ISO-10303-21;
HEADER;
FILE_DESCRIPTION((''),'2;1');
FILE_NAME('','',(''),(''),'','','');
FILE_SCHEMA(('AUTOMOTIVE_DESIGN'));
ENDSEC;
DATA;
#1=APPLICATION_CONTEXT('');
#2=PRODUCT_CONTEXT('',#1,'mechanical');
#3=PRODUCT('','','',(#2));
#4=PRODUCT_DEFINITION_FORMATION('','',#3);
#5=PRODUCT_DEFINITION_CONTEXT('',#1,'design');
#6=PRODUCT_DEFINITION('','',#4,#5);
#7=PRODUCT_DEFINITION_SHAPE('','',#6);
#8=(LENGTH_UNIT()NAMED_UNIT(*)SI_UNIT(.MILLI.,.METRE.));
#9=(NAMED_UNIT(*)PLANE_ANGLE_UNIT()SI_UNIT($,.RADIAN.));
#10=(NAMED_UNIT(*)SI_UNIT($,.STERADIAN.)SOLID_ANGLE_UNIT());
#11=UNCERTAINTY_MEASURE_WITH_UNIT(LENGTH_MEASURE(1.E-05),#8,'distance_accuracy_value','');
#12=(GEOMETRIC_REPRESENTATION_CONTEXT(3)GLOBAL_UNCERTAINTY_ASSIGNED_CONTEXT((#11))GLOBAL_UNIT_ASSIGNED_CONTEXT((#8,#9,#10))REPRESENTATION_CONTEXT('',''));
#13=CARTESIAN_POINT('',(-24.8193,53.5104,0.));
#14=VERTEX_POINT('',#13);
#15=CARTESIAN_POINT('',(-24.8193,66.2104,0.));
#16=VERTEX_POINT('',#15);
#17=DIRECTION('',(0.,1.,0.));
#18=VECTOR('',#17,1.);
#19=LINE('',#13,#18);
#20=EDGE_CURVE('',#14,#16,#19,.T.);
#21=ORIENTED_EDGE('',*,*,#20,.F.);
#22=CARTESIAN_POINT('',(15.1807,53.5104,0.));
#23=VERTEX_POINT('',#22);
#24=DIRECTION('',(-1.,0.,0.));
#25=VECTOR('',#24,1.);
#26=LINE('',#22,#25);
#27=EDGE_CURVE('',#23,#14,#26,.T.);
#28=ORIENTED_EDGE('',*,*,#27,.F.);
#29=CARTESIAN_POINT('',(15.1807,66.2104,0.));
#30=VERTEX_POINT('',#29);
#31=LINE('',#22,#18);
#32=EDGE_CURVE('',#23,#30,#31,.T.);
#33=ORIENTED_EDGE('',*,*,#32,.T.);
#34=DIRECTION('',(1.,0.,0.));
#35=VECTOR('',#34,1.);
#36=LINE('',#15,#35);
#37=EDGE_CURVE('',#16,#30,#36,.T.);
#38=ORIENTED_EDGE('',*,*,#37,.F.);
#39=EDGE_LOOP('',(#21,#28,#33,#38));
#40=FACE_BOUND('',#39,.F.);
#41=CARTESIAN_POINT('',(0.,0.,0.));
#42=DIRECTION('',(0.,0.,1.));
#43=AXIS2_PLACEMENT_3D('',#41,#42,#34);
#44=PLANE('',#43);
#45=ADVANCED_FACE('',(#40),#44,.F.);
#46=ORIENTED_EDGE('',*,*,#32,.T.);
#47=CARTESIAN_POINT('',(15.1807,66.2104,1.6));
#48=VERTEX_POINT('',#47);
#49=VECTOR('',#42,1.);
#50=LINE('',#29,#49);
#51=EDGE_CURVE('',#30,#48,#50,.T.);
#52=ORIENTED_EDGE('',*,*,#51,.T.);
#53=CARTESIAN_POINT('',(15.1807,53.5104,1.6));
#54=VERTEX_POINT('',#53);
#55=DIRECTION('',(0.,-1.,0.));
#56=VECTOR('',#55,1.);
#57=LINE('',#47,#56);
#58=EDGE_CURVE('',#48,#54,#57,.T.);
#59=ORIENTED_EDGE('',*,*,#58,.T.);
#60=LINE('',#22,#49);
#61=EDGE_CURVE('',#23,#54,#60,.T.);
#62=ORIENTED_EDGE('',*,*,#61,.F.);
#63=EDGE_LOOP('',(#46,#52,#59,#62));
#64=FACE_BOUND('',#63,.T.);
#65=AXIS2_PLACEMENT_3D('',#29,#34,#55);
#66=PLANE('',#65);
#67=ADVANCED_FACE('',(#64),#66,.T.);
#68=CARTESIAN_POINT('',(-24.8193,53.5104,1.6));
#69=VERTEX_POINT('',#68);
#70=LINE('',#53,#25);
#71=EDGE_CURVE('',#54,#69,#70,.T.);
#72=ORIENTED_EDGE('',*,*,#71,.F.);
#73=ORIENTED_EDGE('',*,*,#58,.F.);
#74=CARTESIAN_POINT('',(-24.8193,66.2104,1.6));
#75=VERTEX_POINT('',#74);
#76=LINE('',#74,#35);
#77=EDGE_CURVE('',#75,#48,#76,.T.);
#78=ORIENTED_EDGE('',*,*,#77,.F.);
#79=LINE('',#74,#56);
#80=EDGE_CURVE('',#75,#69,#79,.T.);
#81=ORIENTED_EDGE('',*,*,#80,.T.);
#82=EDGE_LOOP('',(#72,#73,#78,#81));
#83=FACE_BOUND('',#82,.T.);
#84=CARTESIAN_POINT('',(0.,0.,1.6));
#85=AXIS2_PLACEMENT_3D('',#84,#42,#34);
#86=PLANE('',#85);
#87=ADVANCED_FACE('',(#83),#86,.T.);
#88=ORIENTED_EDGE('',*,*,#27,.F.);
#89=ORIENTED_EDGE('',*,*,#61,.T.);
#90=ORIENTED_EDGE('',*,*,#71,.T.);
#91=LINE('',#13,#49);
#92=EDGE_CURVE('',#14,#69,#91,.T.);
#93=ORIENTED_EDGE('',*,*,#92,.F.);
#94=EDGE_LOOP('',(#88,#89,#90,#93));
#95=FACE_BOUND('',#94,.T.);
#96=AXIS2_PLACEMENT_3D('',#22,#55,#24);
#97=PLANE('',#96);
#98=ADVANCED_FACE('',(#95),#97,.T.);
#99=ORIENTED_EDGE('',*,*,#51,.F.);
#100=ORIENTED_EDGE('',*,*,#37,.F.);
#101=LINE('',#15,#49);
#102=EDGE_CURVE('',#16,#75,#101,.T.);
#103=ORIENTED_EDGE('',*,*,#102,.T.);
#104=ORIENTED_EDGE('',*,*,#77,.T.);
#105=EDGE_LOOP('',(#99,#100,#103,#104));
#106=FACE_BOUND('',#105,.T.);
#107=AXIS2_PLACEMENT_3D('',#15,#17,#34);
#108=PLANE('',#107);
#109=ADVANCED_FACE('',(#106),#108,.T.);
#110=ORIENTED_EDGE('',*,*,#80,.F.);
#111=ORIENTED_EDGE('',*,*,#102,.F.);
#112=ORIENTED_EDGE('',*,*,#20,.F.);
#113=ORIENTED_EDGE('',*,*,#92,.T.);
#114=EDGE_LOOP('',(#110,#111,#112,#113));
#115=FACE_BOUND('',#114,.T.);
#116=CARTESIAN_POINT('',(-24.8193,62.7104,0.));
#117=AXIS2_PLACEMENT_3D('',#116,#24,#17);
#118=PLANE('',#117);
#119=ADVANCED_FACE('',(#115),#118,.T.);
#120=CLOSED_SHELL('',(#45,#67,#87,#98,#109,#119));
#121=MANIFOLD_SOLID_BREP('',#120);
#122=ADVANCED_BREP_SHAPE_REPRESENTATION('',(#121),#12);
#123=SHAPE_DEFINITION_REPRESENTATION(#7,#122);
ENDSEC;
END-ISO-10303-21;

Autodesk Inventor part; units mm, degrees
ref_plane "YZ Plane" through (0, 0, 0) normal (1, 0, 0) x (0, 1, 0)
ref_plane "XZ Plane" through (0, 0, 0) normal (0, 1, 0) x (-1, 0, 0)
ref_plane "XY Plane" through (0, 0, 0) normal (0, 0, 1) x (1, 0, 0)
sketch "Sketch1" plane through (0, 0, 0) normal (0, 0, 1) x (1, 0, 0)
  arc A0 (-35.3193, 63.4215) -> (-33.3193, 61.4215) centre (-33.3193, 63.4215) ccw projected
  circle A1 centre (15.1807, 64.4604) radius 1.75 projected
  circle A2 centre (15.1807, 134.4604) radius 1.75 projected
  circle A3 centre (-24.8193, 64.4604) radius 1.75 projected
  circle A4 centre (-24.8193, 134.4604) radius 1.75 projected
  circle A5 centre (18.1807, 121.7104) radius 2.5 projected
  circle A6 centre (-27.8193, 77.2104) radius 2.5 projected
  circle A7 centre (-4.8193, 139.4604) radius 2.5 projected
  circle A8 centre (18.1807, 77.2104) radius 2.5 projected
  circle A9 centre (-4.8193, 59.4604) radius 2.5 projected
  circle A10 centre (-27.8193, 121.7104) radius 2.5 projected
  arc A11 (-35.3193, 63.4215) -> (-33.3193, 61.4215) centre (-33.3193, 63.4215) ccw projected
  line L0 (-32.8356, 61.4215) -> (-33.3193, 61.4215) projected
  arc A12 (-26.8356, 55.4215) -> (-32.8356, 61.4215) centre (-32.8356, 55.4215) ccw projected
  line L1 (-26.8356, 54.9604) -> (-26.8356, 55.4215)
  arc A13 (-26.8356, 54.9604) -> (-24.8356, 52.9604) centre (-24.8356, 54.9604) ccw projected
  line L2 (15.2262, 52.9604) -> (-24.8356, 52.9604) projected
  arc A14 (15.2262, 52.9604) -> (17.2262, 54.9604) centre (15.2262, 54.9604) ccw projected
  line L3 (17.2262, 55.4604) -> (17.2262, 54.9604) projected
  arc A15 (23.2262, 61.4604) -> (17.2262, 55.4604) centre (23.2262, 55.4604) ccw projected
  line L4 (23.6807, 61.4604) -> (23.2262, 61.4604) projected
  arc A16 (23.6807, 61.4604) -> (25.6807, 63.4604) centre (23.6807, 63.4604) ccw projected
  line L5 (25.6807, 135.4604) -> (25.6807, 63.4604) projected
  arc A17 (25.6807, 135.4604) -> (23.6807, 137.4604) centre (23.6807, 135.4604) ccw projected
  line L6 (23.1807, 137.4604) -> (23.6807, 137.4604) projected
  arc A18 (17.1807, 143.4604) -> (23.1807, 137.4604) centre (23.1807, 143.4604) ccw projected
  line L7 (17.1807, 143.9604) -> (17.1807, 143.4604) projected
  arc A19 (17.1807, 143.9604) -> (15.1807, 145.9604) centre (15.1807, 143.9604) ccw projected
  line L8 (-24.8193, 145.9604) -> (15.1807, 145.9604) projected
  arc A20 (-24.8193, 145.9604) -> (-26.8193, 143.9604) centre (-24.8193, 143.9604) ccw projected
  line L9 (-26.8193, 143.4604) -> (-26.8193, 143.9604) projected
  arc A21 (-32.8193, 137.4604) -> (-26.8193, 143.4604) centre (-32.8193, 143.4604) ccw projected
  line L10 (-33.3193, 137.4604) -> (-32.8193, 137.4604) projected
  arc A22 (-33.3193, 137.4604) -> (-35.3193, 135.4604) centre (-33.3193, 135.4604) ccw projected
  line L11 (-35.3193, 63.4215) -> (-35.3193, 135.4604) projected
  circle A23 centre (23.1807, 55.4604) radius 2 projected
  circle A24 centre (-32.8193, 55.4604) radius 2 projected
  line L12 (-34.8193, 69.4604) -> (25.1807, 69.4604) projected
  circle A25 centre (-24.8193, 64.4604) radius 1.75 projected
  circle A26 centre (15.1807, 64.4604) radius 1.75 projected
  line L13 (-24.8193, 66.2104) -> (15.1807, 66.2104)
  line L14 (15.1807, 66.2104) -> (15.1807, 53.5104)
  line L15 (15.1807, 53.5104) -> (-24.8193, 53.5104)
  line L16 (-24.8193, 53.5104) -> (-24.8193, 66.2104)
  point P0 (0, 0)
  dimension "d4" = 12.7
extrude "Extrusion1" add sketch "Sketch1" along normal blind 1.6 contours L14 A1 | A1 L14 L15 L16 A3 L13 | A3 L16 | A9 picked at (14.5228, 63.957) picked at (-24.196, 64.9165)
properties part number "LinePCB" material "FR4"
